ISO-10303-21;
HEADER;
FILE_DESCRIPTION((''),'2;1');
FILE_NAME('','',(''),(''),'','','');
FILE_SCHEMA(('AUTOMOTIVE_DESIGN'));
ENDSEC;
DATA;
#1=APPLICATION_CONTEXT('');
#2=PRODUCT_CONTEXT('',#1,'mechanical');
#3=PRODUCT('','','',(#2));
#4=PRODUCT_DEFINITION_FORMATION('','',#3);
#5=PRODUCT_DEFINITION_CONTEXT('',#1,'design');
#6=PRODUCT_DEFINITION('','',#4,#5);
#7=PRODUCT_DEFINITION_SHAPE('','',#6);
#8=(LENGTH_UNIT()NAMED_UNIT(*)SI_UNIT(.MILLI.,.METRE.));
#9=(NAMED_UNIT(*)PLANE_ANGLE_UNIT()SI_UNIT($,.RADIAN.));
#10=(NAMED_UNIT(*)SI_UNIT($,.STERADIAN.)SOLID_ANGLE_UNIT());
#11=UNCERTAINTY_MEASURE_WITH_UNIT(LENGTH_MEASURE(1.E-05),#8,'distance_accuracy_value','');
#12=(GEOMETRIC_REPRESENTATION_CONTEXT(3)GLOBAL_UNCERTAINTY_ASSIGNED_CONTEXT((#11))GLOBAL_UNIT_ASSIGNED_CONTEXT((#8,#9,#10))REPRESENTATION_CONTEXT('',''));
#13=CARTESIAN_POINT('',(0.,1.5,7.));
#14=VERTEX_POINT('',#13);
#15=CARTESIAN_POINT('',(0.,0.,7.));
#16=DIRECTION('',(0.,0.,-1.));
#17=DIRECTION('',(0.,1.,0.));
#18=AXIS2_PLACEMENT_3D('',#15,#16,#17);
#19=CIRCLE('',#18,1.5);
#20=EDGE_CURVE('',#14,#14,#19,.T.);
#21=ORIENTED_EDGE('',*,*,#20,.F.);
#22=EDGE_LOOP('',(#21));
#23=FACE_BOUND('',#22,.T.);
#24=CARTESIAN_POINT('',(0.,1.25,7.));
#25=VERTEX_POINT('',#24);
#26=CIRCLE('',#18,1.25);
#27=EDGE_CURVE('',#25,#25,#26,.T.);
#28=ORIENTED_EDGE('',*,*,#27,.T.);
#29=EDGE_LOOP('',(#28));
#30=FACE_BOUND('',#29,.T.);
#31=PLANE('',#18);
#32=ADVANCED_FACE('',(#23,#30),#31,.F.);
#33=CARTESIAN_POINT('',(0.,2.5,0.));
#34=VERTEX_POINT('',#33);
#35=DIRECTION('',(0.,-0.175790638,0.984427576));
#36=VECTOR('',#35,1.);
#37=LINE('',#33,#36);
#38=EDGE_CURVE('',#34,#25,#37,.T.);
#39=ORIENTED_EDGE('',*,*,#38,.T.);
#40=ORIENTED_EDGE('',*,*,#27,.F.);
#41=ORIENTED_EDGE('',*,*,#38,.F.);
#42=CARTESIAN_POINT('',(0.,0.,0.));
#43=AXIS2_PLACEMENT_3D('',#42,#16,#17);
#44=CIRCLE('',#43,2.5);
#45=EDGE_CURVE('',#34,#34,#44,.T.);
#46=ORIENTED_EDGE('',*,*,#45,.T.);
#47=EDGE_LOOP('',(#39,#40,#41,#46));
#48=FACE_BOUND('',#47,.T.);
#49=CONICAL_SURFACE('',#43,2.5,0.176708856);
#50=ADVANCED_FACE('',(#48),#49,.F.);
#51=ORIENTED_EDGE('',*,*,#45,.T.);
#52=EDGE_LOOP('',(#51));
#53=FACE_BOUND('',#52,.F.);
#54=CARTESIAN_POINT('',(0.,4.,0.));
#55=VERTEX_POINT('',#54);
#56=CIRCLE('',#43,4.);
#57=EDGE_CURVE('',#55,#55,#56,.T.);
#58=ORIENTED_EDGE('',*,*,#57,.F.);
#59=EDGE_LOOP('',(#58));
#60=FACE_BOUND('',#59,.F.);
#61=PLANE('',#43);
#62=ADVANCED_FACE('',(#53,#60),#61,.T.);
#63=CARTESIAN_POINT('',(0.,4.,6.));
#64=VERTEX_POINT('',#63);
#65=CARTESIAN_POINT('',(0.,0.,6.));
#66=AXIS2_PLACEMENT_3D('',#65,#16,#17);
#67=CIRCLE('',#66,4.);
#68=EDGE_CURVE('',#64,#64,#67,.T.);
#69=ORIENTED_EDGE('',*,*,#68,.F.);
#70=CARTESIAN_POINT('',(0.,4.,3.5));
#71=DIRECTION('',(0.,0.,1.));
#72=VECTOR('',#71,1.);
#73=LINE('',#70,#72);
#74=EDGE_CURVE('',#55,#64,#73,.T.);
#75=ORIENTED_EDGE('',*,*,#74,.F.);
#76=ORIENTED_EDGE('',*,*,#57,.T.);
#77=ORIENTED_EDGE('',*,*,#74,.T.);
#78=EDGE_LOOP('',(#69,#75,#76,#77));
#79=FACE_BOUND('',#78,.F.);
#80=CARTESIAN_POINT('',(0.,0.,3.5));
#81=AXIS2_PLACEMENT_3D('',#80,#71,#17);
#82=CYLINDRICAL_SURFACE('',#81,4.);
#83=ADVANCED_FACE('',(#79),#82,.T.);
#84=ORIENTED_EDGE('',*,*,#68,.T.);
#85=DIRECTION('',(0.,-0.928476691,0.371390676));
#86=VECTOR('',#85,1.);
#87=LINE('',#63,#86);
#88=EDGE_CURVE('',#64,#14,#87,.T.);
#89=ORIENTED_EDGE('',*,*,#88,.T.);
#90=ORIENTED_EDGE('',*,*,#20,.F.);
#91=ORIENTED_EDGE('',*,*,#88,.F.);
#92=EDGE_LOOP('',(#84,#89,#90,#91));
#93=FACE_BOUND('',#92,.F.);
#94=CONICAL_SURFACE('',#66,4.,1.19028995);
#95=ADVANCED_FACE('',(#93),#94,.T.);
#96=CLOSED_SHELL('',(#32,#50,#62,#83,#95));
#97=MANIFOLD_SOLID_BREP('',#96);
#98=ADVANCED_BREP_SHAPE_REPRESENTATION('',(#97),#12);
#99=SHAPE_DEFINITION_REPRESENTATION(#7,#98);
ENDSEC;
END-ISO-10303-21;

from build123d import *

# Parameters (mm, degrees)
F1_W     = 4
F1_H     = 7
F5_SIZE2 = 2.5
F5_SIZE  = 1


with BuildPart() as f2:
    # F1 (on Right) → F2 (revolve)
    with BuildSketch(Plane.YZ):
        with Locations((2, 3.5)):
            Rectangle(F1_W, F1_H)
    revolve(axis=Axis((0, 0, 3.5), (0, 0, -1)))


with BuildPart() as f3:
    # F0 (on Right) → F3 (revolve)
    with BuildSketch(Plane.YZ):
        Polygon((0, 7), (0, 0), (2.5, 0), (1.25, 7), align=None)
    revolve(axis=Axis((0, 0, 3.5), (0, 0, -1)))


with BuildPart() as f2_1:
    add(f2.part)

    # F4: cut F3
    add(f3.part, mode=Mode.SUBTRACT)

    # F5
    f5_edges = [f2_1.edges().sort_by_distance(p)[0] for p in [
        (0, -4, 7),
    ]]
    f5_side = f2_1.faces().sort_by_distance((0, -4, 3.5))[0]
    chamfer(f5_edges, length=F5_SIZE, length2=F5_SIZE2, reference=f5_side)


solid = f2_1.part
